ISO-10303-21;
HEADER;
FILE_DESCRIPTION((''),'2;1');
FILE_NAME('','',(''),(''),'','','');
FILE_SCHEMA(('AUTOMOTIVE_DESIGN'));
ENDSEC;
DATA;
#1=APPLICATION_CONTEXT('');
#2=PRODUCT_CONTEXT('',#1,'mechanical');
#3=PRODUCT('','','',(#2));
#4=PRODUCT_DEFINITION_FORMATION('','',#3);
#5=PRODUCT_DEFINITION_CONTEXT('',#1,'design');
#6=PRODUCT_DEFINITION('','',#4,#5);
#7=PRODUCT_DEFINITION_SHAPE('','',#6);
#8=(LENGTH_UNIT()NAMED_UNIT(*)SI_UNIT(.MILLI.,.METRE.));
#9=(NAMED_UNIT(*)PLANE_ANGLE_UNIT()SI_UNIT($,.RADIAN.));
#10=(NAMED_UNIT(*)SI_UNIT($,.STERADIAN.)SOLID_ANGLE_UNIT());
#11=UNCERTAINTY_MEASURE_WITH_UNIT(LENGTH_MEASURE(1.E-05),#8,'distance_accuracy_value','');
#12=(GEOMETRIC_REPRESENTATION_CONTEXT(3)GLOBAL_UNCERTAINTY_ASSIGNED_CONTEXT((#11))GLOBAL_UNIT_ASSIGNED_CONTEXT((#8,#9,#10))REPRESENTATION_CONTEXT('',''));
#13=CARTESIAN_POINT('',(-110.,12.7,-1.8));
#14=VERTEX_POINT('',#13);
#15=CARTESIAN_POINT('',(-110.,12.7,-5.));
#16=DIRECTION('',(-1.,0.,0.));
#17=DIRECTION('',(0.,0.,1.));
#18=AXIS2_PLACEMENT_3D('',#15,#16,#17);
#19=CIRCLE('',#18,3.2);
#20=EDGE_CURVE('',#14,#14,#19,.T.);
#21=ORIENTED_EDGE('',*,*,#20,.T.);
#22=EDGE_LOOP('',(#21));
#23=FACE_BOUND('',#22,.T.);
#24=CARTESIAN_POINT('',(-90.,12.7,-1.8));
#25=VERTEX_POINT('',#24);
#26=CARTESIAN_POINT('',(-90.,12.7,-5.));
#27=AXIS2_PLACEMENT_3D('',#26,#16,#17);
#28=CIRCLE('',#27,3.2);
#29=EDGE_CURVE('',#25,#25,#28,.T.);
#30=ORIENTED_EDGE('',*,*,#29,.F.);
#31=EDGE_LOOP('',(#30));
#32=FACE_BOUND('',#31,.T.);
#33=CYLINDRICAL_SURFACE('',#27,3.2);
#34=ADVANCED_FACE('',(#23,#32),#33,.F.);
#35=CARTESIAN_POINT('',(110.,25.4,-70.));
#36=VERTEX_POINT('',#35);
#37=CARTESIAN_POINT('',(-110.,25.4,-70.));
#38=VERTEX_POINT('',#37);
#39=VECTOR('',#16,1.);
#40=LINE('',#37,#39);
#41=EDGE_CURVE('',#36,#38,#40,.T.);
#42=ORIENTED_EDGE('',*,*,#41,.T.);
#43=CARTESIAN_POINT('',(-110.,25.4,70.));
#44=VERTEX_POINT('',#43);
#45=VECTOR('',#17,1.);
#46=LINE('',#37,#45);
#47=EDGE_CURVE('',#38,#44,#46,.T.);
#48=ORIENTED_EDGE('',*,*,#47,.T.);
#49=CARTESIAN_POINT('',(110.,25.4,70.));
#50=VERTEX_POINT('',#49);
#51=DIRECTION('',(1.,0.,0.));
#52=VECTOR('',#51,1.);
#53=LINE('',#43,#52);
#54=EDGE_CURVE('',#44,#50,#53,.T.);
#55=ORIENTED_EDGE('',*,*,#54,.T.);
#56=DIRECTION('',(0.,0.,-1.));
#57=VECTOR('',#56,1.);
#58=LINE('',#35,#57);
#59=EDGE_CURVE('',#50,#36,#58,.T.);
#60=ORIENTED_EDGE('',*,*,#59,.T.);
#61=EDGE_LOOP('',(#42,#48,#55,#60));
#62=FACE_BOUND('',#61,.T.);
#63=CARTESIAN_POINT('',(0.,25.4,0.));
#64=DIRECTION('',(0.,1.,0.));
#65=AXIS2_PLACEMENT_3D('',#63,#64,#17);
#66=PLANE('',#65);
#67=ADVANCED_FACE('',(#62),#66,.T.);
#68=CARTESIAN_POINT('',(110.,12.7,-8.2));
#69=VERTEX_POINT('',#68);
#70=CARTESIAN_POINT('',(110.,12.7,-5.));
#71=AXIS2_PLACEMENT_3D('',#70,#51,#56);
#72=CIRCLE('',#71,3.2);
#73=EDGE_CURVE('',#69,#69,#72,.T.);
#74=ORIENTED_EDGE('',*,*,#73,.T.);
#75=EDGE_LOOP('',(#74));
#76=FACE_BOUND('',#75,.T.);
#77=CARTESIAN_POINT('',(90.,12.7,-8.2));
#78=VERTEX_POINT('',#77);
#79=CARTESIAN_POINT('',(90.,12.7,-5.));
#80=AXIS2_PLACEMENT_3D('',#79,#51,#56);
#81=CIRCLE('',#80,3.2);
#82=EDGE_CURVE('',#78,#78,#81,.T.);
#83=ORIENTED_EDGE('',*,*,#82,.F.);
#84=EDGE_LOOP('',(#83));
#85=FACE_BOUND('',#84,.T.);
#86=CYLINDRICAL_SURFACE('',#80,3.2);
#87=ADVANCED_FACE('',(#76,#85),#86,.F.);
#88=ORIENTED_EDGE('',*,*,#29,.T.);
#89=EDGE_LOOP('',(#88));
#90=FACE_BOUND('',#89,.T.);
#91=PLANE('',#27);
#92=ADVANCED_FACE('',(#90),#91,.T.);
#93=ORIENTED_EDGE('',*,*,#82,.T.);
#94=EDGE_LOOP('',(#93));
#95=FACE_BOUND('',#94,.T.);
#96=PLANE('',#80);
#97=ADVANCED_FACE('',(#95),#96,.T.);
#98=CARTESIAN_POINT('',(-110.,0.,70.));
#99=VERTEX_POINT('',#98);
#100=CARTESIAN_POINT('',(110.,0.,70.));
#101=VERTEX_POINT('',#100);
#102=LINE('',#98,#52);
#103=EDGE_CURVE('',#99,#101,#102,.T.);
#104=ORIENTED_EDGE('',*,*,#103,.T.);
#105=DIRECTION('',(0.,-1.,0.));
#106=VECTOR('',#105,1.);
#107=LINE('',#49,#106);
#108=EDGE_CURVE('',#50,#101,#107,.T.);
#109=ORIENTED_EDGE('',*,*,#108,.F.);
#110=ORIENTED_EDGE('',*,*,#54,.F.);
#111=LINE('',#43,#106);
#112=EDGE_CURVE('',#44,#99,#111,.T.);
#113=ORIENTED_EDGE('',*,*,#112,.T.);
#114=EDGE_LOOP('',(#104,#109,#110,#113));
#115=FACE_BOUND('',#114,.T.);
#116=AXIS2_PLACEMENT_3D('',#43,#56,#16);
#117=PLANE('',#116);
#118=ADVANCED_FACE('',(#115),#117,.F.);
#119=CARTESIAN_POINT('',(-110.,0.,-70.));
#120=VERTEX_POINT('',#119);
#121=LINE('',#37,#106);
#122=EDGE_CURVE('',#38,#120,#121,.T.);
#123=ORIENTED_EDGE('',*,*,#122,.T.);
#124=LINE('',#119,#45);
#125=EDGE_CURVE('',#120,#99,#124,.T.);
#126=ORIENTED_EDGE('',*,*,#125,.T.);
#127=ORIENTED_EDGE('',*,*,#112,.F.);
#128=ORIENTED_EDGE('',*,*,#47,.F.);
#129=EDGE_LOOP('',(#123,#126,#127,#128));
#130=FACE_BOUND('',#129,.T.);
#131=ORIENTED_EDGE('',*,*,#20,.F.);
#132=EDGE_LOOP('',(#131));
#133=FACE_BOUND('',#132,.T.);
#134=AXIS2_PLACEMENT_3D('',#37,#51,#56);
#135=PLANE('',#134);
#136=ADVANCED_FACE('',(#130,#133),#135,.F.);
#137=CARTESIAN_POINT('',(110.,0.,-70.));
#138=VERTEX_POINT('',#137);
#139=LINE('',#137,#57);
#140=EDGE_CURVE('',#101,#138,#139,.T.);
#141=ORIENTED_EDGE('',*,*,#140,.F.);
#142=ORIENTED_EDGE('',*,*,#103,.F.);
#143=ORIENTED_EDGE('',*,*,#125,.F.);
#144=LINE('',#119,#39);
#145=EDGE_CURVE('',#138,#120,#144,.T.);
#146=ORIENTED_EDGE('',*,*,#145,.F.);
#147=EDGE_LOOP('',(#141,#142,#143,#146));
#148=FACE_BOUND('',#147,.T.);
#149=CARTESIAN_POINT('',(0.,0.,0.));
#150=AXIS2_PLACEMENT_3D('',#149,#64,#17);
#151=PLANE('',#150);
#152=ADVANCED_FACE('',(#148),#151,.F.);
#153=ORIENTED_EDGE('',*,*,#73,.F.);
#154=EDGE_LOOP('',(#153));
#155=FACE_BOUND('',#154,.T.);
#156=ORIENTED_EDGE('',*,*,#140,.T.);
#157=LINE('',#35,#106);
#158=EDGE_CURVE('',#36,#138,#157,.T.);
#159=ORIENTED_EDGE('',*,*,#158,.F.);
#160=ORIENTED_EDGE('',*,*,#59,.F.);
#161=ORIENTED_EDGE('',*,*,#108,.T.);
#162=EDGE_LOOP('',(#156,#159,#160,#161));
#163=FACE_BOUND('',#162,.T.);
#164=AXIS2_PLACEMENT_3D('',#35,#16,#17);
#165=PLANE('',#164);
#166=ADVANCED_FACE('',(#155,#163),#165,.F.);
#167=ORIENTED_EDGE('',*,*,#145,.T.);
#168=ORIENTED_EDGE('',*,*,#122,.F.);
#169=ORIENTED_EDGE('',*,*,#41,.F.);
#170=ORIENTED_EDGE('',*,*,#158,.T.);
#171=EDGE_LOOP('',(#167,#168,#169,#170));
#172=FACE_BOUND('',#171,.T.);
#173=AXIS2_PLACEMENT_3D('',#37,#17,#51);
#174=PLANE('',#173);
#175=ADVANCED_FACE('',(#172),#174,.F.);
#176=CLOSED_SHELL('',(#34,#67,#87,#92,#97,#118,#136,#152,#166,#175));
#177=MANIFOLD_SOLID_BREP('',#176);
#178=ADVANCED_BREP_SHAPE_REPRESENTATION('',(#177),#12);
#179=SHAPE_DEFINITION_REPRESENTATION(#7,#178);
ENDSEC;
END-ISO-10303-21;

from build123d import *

# Parameters (mm, degrees)
SKETCH1_W           = 220
SKETCH1_H           = 140
BOSS_EXTRUDE1_DEPTH = 25.4
SKETCH3_R           = 3.2
CUT_EXTRUDE1_DEPTH  = 20
CUT_EXTRUDE2_START  = -20
SKETCH2_R           = 3.2
CUT_EXTRUDE2_DEPTH  = 20


with BuildPart() as part:
    # Sketch1 → Boss-Extrude1 (new body)
    with BuildSketch(Plane(origin=(0, 0, 0), x_dir=(1, 0, 0), z_dir=(0, 1, 0))):
        Rectangle(SKETCH1_W, SKETCH1_H)
    extrude(amount=BOSS_EXTRUDE1_DEPTH)

    # Sketch3 → Cut-Extrude1 (cut)
    with BuildSketch(Plane.ZY.offset(110)):
        with Locations((-5, 12.7)):
            Circle(SKETCH3_R)
    extrude(amount=-CUT_EXTRUDE1_DEPTH, mode=Mode.SUBTRACT)

    # Sketch2 → Cut-Extrude2 (cut)
    with BuildSketch(Plane(origin=(110, 0, 0), x_dir=(0, 0, -1), z_dir=(1, 0, 0)).offset(CUT_EXTRUDE2_START)):
        with Locations(Location((5, 12.7, 0), (0, 0, 180))):
            Circle(SKETCH2_R)
    extrude(amount=CUT_EXTRUDE2_DEPTH, mode=Mode.SUBTRACT)


solid = part.part
